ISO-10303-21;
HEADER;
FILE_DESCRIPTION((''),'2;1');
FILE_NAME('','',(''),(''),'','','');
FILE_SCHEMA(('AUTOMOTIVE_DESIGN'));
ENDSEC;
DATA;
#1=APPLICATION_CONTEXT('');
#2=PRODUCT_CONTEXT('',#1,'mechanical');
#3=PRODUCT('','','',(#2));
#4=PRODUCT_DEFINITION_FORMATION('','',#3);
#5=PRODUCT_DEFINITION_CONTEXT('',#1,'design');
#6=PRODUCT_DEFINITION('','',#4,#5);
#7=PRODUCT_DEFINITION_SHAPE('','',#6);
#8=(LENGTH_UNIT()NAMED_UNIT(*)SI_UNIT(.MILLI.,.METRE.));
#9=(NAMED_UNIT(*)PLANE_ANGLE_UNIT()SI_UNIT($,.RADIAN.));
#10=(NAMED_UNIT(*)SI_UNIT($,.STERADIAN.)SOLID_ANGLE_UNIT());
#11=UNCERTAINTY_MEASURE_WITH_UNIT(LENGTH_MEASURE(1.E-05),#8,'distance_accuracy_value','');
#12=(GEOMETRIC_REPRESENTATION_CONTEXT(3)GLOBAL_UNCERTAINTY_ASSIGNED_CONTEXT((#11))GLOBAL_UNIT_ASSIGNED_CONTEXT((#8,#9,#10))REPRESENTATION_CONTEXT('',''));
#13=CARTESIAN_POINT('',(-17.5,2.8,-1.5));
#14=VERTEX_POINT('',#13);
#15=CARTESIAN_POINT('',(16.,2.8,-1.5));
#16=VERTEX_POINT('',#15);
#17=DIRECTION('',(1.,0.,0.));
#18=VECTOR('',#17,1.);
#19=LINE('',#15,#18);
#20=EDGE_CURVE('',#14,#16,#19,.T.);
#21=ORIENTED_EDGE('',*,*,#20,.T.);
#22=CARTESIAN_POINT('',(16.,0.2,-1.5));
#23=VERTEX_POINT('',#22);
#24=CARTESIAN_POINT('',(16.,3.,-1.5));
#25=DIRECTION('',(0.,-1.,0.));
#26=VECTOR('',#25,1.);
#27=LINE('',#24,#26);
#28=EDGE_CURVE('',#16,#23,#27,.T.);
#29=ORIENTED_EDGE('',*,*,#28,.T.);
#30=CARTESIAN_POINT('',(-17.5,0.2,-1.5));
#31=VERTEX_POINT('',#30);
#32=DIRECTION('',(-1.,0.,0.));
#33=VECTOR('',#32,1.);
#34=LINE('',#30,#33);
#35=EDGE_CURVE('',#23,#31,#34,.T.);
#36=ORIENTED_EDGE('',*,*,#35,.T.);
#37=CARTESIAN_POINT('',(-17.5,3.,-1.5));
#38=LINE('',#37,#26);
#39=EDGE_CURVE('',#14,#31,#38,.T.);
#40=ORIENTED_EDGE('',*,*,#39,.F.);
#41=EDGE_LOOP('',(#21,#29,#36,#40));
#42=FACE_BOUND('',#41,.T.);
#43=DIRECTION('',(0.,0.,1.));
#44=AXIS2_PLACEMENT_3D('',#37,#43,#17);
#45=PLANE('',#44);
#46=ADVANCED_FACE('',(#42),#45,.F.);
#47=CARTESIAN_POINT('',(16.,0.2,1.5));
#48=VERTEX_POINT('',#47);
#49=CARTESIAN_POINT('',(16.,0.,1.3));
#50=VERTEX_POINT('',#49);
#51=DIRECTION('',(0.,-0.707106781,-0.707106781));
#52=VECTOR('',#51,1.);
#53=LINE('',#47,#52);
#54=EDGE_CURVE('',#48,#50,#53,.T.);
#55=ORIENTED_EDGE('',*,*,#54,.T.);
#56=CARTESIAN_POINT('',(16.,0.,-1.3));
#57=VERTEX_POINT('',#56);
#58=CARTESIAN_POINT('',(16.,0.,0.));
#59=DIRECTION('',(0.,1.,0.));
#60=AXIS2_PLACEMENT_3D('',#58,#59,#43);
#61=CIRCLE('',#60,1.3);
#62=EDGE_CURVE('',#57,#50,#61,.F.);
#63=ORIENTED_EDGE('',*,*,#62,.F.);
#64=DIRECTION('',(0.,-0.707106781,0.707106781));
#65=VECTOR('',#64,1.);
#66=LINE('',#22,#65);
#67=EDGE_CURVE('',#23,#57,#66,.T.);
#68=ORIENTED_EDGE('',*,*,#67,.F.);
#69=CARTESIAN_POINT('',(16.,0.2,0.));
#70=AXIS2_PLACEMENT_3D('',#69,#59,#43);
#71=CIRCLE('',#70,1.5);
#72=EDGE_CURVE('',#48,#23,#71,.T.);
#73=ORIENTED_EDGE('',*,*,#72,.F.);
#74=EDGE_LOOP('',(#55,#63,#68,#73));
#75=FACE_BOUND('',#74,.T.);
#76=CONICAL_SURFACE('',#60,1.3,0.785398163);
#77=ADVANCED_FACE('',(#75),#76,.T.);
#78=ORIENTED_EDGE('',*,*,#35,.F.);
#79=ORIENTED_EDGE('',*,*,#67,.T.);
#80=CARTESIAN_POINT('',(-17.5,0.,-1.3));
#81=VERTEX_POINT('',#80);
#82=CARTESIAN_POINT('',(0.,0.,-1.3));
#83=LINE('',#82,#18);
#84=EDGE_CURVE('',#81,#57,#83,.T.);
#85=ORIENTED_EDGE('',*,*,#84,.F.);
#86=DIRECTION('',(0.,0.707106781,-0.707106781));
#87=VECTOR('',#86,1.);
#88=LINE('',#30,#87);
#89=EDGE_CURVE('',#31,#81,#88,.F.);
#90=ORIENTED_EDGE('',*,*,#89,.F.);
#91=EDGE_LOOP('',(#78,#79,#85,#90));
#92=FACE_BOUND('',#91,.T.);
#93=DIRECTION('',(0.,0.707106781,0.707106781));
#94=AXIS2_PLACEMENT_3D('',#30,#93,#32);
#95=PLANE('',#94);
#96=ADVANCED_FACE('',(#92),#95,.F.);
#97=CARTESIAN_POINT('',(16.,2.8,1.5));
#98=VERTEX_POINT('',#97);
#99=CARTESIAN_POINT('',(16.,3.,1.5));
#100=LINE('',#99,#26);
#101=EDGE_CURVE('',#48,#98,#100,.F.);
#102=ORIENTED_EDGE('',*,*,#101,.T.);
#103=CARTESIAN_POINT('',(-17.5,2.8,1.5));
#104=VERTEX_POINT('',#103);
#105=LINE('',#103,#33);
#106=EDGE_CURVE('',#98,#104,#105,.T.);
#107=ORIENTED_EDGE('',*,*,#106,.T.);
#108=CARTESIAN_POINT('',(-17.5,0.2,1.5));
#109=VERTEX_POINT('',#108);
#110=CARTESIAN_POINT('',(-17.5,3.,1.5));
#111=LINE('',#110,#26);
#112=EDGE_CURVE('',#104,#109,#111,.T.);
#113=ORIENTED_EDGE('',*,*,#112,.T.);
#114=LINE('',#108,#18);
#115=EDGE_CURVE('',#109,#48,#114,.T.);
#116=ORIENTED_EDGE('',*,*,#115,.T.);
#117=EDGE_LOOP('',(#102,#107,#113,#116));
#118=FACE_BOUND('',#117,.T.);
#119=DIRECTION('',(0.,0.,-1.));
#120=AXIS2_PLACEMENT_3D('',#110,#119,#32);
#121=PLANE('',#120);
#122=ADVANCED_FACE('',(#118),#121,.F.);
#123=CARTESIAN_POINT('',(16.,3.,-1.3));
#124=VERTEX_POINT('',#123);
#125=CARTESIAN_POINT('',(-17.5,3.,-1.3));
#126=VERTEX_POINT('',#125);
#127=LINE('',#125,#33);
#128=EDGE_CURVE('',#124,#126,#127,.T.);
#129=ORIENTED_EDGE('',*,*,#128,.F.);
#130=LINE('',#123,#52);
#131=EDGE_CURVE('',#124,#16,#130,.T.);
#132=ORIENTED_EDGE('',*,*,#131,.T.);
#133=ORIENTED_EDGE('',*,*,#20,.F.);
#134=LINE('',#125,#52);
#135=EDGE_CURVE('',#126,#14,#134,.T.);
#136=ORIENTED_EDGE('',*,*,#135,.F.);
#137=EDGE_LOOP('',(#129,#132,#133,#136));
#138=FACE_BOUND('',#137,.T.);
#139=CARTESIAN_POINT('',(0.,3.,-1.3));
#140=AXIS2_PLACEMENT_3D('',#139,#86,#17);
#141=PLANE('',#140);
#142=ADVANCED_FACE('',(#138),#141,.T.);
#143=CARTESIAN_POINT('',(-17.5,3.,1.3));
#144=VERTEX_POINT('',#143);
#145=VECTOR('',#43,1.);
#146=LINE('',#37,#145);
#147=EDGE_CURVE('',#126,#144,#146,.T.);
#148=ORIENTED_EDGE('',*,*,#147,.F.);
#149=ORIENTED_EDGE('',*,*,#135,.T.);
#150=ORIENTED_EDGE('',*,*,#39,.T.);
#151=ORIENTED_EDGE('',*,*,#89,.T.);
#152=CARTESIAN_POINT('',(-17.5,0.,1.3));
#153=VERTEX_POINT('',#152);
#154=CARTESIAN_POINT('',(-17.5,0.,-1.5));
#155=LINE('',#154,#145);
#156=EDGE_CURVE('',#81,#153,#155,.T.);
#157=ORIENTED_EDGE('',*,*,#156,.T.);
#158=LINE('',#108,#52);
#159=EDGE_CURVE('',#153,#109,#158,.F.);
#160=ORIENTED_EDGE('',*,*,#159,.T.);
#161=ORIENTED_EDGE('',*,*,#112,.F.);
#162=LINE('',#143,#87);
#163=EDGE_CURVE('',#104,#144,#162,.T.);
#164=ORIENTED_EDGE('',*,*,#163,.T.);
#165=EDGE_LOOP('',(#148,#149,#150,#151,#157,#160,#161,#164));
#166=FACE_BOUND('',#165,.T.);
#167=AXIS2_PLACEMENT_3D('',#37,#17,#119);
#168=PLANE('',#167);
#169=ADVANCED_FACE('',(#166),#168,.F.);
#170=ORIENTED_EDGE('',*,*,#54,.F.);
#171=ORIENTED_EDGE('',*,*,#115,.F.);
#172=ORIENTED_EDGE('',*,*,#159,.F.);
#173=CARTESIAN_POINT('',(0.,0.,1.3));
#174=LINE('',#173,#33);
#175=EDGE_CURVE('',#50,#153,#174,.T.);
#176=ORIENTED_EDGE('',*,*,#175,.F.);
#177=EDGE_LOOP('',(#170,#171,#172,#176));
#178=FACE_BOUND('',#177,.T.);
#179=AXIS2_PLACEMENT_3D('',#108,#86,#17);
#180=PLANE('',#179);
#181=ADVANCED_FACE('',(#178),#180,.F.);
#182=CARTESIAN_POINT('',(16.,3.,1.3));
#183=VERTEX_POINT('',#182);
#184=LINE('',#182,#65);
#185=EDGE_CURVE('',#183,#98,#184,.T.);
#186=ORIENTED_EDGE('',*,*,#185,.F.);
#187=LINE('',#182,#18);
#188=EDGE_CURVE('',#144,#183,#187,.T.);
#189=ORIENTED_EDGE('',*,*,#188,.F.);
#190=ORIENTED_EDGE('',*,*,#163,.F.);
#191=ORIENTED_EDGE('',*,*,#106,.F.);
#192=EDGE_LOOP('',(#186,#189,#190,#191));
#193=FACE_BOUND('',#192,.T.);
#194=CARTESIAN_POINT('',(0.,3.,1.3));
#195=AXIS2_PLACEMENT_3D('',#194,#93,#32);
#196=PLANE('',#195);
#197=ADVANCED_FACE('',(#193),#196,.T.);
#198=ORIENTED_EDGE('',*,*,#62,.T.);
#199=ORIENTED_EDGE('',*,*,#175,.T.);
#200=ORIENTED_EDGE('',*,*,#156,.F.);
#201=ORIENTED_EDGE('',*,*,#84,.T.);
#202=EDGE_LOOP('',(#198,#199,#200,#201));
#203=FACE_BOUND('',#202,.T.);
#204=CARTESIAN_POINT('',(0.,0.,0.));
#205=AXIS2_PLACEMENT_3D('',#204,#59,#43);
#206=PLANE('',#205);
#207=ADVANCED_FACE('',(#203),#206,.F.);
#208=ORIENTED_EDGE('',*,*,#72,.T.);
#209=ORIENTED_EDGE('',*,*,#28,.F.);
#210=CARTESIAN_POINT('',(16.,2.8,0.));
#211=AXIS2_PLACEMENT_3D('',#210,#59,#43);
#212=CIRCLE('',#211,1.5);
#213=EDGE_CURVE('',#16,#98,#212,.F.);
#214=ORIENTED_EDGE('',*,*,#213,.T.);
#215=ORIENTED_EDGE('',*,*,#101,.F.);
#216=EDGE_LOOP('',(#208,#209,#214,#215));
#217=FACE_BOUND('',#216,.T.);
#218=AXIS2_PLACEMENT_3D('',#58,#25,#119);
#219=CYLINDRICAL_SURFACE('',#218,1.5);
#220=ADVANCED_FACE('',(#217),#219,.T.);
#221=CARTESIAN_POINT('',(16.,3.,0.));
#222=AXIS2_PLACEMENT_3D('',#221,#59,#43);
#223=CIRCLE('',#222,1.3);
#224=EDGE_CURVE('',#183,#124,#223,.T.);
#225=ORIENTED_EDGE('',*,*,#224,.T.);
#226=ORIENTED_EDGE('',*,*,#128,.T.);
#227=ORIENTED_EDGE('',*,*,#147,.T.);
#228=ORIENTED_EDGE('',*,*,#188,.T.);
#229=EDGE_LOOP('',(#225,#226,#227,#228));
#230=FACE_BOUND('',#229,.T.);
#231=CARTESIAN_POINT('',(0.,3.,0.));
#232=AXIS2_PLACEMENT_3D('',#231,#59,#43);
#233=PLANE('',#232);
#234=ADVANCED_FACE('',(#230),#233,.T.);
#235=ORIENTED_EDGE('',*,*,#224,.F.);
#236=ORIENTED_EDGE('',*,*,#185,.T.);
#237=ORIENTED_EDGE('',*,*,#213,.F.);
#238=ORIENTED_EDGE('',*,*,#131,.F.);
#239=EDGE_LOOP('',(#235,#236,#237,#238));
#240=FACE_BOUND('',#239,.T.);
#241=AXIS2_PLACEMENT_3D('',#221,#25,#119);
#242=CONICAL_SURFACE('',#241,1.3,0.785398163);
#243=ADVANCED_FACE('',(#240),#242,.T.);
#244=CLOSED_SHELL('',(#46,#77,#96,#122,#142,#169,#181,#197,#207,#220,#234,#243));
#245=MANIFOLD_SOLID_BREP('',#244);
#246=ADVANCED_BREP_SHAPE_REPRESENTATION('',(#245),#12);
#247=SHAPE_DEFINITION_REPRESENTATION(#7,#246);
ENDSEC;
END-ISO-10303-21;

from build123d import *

# Parameters (mm, degrees)
SKETCH1_W           = 35
SKETCH1_H           = 3
BOSS_EXTRUDE1_DEPTH = 3
FILLET2_RADIUS      = 1.5
FILLET2_LENGTH      = 3
CHAMFER2_SIZE       = 0.2


with BuildPart() as part:
    # Sketch1 → Boss-Extrude1 (new body)
    with BuildSketch(Plane(origin=(0, 0, 0), x_dir=(1, 0, 0), z_dir=(0, 1, 0))):
        Rectangle(SKETCH1_W, SKETCH1_H)
    extrude(amount=BOSS_EXTRUDE1_DEPTH)

    # Fillet2: full round fillet: the end face becomes a half cylinder, R = half its width
    fillet2_face = Plane((17.5, 1.5, 0), x_dir=(0, 1, 0), z_dir=(1, 0, 0))  # on the end face: x along it, z out of the body
    fillet2_slab = fillet2_face.offset(-FILLET2_RADIUS / 2) * Box(FILLET2_LENGTH, 2 * FILLET2_RADIUS, FILLET2_RADIUS, mode=Mode.PRIVATE)  # the body's end, R deep
    fillet2_round = Plane((16, 1.5, 0), x_dir=(1, 0, 0), z_dir=(0, 1, 0)) * Cylinder(FILLET2_RADIUS, FILLET2_LENGTH, mode=Mode.PRIVATE)  # its axis R under the face
    add(fillet2_slab - fillet2_round, mode=Mode.SUBTRACT)

    # Chamfer2
    chamfer2_edges = [part.edges().sort_by_distance(p)[0] for p in [
        (-0.75, 0, -1.5),
        (-0.75, 3, -1.5),
        (17.5, 0, 0),
        (17.5, 3, 0),
        (-0.75, 0, 1.5),
        (-0.75, 3, 1.5),
    ]]
    chamfer(chamfer2_edges, length=CHAMFER2_SIZE)


solid = part.part
